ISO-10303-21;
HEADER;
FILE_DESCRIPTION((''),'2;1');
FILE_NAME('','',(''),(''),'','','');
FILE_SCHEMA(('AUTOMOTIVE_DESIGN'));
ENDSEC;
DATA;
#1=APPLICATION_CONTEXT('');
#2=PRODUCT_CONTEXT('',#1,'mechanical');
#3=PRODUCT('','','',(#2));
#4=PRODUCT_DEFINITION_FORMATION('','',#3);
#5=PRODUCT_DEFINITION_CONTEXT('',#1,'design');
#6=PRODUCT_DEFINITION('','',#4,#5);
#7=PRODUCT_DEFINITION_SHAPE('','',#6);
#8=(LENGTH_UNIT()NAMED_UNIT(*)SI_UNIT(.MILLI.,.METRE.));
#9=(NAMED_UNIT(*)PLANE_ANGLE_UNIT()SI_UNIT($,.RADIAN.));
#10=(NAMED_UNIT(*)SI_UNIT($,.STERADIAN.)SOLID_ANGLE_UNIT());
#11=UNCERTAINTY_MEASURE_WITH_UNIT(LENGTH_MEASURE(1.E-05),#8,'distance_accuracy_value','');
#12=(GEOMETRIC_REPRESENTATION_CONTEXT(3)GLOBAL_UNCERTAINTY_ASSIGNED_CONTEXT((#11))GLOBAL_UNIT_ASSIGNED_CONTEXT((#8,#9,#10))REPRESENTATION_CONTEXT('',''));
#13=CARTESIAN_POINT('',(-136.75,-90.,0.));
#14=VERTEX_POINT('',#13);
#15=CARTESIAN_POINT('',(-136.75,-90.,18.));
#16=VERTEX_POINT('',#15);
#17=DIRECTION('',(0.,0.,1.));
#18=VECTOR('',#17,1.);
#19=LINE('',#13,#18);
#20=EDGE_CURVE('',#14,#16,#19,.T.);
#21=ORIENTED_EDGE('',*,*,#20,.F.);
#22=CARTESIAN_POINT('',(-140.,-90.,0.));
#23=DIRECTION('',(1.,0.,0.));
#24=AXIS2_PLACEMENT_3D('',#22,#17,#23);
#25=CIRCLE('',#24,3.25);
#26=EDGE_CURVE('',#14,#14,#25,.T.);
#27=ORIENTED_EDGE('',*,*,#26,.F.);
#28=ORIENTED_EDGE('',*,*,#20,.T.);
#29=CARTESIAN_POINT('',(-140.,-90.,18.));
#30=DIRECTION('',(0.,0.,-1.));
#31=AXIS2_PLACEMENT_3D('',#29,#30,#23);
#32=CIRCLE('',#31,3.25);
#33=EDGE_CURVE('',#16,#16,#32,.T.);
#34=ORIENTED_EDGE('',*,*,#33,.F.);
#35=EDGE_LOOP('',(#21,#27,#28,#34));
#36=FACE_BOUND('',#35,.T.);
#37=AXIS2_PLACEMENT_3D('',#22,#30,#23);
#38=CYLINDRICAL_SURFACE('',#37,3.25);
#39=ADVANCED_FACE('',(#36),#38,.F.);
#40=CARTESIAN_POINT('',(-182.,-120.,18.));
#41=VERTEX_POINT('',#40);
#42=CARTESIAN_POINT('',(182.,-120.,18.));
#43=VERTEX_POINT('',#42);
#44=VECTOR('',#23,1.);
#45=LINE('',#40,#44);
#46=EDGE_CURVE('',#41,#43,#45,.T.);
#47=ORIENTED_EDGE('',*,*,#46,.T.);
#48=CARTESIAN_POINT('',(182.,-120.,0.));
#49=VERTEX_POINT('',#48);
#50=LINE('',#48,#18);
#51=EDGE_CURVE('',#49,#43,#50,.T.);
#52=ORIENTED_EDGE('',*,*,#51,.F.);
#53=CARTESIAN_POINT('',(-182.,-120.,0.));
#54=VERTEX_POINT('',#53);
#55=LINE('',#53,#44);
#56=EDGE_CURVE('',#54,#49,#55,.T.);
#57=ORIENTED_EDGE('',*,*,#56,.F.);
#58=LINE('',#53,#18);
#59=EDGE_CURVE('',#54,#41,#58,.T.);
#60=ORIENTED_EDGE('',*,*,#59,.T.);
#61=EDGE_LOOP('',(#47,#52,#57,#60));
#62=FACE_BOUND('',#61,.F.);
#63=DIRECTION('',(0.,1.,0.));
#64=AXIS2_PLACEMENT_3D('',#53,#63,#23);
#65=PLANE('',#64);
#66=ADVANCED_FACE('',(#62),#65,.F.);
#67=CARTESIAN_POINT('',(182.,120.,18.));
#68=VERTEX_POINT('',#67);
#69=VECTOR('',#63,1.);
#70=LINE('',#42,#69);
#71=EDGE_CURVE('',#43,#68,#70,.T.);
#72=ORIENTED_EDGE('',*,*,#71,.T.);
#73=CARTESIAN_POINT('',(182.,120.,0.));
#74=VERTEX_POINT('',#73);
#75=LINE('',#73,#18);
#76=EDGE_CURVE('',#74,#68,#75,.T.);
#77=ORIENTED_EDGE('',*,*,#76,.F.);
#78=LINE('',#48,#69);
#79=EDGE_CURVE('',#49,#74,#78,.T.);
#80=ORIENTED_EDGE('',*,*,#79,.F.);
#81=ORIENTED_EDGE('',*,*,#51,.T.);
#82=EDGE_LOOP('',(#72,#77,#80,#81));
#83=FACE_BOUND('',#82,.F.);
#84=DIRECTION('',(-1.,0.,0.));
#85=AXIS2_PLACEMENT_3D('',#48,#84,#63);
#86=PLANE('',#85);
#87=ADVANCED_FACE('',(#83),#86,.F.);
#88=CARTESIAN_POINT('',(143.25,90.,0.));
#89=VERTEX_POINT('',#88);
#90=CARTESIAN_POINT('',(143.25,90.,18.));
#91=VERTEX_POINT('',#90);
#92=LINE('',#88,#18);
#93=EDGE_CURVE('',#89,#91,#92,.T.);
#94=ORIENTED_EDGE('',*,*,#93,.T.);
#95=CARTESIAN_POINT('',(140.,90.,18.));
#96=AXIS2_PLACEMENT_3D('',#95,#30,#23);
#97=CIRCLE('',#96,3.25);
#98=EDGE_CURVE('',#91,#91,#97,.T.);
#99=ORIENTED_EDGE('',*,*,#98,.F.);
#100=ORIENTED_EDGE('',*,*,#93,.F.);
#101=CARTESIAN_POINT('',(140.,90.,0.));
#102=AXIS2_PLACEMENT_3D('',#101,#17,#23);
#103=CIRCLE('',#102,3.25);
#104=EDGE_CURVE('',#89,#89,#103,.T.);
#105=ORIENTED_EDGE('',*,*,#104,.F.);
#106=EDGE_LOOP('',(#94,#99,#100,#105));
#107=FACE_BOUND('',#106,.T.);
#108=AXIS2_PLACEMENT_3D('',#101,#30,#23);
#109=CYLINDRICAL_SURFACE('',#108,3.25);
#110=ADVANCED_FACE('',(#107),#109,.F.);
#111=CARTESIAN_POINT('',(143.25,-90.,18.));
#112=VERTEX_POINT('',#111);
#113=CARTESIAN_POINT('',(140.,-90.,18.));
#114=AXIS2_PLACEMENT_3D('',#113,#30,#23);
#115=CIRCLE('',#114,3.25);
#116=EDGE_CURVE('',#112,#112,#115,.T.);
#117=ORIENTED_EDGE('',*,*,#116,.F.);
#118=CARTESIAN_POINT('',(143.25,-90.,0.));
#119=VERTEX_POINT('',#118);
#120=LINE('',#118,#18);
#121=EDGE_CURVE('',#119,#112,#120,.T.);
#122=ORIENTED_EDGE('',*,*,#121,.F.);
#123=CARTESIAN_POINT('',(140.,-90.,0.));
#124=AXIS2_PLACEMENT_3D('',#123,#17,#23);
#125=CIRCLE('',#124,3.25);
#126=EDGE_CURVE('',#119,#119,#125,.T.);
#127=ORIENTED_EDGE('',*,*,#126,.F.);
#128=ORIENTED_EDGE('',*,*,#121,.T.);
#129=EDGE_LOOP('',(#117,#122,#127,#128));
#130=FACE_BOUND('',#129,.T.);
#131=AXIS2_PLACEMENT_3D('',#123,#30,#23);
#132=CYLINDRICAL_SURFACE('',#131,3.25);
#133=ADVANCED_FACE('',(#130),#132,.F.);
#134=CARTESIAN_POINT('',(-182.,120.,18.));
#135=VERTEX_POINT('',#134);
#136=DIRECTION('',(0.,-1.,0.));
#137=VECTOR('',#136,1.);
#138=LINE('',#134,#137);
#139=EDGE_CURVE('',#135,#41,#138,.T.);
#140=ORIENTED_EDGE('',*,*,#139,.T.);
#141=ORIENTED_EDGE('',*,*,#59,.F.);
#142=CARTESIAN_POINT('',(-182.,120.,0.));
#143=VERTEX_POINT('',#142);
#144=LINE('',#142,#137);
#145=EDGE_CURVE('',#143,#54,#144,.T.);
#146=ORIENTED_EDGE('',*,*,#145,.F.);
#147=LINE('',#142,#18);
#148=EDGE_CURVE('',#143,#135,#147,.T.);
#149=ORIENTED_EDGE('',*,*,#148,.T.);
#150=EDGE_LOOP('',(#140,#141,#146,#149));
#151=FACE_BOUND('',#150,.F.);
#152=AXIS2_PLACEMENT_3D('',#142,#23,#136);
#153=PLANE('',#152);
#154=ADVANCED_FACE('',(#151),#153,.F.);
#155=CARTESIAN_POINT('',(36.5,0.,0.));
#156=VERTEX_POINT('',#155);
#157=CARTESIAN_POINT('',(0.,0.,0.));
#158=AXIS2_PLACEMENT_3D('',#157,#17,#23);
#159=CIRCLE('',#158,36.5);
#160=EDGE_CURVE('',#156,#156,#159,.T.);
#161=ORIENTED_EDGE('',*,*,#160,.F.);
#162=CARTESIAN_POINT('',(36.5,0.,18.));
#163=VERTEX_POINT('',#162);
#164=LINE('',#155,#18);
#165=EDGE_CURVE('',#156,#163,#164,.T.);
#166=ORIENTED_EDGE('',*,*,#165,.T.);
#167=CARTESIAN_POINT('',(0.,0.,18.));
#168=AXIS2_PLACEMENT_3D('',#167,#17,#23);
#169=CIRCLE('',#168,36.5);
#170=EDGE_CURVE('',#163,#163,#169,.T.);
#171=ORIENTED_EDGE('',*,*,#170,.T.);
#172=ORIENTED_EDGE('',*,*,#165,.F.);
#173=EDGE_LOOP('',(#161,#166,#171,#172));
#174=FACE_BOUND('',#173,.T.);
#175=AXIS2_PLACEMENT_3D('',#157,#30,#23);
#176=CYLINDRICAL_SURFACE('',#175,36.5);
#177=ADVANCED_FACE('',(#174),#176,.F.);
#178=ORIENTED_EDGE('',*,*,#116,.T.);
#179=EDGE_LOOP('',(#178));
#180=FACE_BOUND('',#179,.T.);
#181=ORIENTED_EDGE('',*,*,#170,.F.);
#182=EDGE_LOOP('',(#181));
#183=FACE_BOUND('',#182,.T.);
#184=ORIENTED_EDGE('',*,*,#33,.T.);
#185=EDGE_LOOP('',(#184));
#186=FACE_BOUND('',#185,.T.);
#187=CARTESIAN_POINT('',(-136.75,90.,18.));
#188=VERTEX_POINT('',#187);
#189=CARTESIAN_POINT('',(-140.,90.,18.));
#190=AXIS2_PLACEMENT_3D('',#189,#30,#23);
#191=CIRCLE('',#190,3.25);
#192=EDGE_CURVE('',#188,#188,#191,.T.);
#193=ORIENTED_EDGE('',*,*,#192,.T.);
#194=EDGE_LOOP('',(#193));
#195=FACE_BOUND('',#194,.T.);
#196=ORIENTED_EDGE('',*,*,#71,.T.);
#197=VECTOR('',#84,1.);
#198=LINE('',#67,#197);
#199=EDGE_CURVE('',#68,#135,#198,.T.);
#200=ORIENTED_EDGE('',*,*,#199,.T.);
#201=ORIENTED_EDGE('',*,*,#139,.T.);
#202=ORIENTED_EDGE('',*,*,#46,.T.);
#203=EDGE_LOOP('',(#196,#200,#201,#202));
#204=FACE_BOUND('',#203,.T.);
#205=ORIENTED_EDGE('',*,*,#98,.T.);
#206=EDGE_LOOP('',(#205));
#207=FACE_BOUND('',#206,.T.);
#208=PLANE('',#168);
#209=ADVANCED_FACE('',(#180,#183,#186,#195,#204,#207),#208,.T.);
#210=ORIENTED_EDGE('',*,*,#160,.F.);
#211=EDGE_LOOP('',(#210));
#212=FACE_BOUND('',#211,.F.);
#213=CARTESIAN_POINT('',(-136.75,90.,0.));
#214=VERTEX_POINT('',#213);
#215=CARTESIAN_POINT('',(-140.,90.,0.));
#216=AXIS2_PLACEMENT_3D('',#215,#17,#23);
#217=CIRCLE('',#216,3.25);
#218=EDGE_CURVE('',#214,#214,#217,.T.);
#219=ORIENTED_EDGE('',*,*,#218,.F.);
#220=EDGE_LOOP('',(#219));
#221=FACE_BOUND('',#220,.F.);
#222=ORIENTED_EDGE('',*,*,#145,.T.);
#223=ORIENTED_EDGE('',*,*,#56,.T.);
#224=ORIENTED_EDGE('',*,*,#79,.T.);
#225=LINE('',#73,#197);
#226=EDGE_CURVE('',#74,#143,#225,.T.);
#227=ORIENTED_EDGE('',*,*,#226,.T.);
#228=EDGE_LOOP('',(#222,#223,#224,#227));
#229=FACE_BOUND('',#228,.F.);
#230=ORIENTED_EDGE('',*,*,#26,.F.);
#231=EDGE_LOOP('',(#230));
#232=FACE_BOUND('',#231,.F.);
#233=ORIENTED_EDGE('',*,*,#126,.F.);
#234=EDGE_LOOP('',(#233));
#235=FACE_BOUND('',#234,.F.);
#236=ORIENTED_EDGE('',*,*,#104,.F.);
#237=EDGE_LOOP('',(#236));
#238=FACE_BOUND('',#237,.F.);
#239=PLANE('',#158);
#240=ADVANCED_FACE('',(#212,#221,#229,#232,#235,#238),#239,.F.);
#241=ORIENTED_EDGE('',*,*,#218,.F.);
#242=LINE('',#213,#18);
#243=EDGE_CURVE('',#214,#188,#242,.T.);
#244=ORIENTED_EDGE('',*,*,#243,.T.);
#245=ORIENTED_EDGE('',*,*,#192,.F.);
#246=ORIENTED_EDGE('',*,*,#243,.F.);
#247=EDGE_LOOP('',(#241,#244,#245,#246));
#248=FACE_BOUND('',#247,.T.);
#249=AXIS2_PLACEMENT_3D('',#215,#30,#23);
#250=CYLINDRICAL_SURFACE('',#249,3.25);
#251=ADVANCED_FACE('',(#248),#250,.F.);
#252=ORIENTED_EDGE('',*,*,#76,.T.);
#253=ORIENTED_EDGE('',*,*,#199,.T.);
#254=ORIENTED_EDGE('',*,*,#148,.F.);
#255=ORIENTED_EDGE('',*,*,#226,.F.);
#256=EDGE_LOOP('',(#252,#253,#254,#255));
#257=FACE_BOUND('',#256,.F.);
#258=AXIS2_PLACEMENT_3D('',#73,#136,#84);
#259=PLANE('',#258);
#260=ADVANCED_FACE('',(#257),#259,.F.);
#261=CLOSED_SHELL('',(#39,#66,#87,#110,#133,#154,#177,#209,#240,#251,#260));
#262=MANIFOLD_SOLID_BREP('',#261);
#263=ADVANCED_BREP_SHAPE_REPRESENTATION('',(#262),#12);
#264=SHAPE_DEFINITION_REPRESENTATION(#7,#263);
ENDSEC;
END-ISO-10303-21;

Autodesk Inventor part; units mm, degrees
ref_plane "YZ Plane" through (0, 0, 0) normal (1, 0, 0) x (0, 1, 0)
ref_plane "XZ Plane" through (0, 0, 0) normal (0, 1, 0) x (-1, 0, 0)
ref_plane "XY Plane" through (0, 0, 0) normal (0, 0, 1) x (1, 0, 0)
sketch "Skizze1" plane through (0, 0, 0) normal (0, 0, 1) x (1, 0, 0)
  line L0 (-182, -120) -> (182, -120)
  line L1 (182, -120) -> (182, 120)
  line L2 (182, 120) -> (-182, 120)
  line L3 (-182, 120) -> (-182, -120)
  line L4 (-182, -120) -> (182, 120) construction
  line L5 (182, -120) -> (-182, 120) construction
  circle A0 centre (0, 0) radius 36.5
  line L6 (-140, -90) -> (140, -90)
  line L7 (140, -90) -> (140, 90)
  line L8 (140, 90) -> (-140, 90)
  line L9 (-140, 90) -> (-140, -90)
  line L10 (-140, -90) -> (140, 90) construction
  line L11 (140, -90) -> (-140, 90) construction
  circle A1 centre (-140, 90) radius 3.25
  circle A2 centre (140, 90) radius 3.25
  circle A3 centre (140, -90) radius 3.25
  circle A4 centre (-140, -90) radius 3.25
  point P0 (0, 0)
  point P1 (0, 0)
  point P2 (0, 0)
  dimension "d0" = 364
  dimension "d1" = 240
  dimension "d5" = 73
  dimension "d6" = 280
  dimension "d7" = 180
  dimension "d8" = 6.5
extrude "Extrusion1" add sketch "Skizze1" along normal blind 18 contours L3 L2 L1 L0 | L9 A4 L6 | L6 A4 L9 | A4 L9 A1 L8 A2 L7 A3 L6 | A3 L7 L6 | L6 L7 A3 | A1 L8 L9 | L9 L8 A1 | A2 L8 L7 | L7 L8 A2
extrude "Extrusion2" cut sketch "Skizze1" along normal through all contours L9 A4 L6 | L6 A4 L9 | A3 L7 L6 | L6 L7 A3 | A1 L8 L9 | L9 L8 A1 | A2 L8 L7 | L7 L8 A2
equation "\"d0\" = case_width - 2 * case_thickness"
equation "\"d1\" = inner_depth - inner_thickness"
equation "\"d2\" = case_thickness"
equation "\"kg_thickness\" = 4.9"
equation "\"ht_thickness\" = 1.9"
equation "\"case_thickness\" = 18"
equation "\"inner_thickness\" = 15"
equation "\"gap_fit\" = 0.1"
equation "\"gap_slide\" = 0.2"
equation "\"gap_air\" = 1"
equation "\"bore_diameter\" = 73"
equation "\"mdf_thickness\" = 6"
equation "\"tape_width\" = 15"
equation "\"tape_thickness\" = 3"
equation "\"inner_depth\" = 255"
equation "\"case_width\" = 400"
properties part number "Korpus_Einbau_Basis"
